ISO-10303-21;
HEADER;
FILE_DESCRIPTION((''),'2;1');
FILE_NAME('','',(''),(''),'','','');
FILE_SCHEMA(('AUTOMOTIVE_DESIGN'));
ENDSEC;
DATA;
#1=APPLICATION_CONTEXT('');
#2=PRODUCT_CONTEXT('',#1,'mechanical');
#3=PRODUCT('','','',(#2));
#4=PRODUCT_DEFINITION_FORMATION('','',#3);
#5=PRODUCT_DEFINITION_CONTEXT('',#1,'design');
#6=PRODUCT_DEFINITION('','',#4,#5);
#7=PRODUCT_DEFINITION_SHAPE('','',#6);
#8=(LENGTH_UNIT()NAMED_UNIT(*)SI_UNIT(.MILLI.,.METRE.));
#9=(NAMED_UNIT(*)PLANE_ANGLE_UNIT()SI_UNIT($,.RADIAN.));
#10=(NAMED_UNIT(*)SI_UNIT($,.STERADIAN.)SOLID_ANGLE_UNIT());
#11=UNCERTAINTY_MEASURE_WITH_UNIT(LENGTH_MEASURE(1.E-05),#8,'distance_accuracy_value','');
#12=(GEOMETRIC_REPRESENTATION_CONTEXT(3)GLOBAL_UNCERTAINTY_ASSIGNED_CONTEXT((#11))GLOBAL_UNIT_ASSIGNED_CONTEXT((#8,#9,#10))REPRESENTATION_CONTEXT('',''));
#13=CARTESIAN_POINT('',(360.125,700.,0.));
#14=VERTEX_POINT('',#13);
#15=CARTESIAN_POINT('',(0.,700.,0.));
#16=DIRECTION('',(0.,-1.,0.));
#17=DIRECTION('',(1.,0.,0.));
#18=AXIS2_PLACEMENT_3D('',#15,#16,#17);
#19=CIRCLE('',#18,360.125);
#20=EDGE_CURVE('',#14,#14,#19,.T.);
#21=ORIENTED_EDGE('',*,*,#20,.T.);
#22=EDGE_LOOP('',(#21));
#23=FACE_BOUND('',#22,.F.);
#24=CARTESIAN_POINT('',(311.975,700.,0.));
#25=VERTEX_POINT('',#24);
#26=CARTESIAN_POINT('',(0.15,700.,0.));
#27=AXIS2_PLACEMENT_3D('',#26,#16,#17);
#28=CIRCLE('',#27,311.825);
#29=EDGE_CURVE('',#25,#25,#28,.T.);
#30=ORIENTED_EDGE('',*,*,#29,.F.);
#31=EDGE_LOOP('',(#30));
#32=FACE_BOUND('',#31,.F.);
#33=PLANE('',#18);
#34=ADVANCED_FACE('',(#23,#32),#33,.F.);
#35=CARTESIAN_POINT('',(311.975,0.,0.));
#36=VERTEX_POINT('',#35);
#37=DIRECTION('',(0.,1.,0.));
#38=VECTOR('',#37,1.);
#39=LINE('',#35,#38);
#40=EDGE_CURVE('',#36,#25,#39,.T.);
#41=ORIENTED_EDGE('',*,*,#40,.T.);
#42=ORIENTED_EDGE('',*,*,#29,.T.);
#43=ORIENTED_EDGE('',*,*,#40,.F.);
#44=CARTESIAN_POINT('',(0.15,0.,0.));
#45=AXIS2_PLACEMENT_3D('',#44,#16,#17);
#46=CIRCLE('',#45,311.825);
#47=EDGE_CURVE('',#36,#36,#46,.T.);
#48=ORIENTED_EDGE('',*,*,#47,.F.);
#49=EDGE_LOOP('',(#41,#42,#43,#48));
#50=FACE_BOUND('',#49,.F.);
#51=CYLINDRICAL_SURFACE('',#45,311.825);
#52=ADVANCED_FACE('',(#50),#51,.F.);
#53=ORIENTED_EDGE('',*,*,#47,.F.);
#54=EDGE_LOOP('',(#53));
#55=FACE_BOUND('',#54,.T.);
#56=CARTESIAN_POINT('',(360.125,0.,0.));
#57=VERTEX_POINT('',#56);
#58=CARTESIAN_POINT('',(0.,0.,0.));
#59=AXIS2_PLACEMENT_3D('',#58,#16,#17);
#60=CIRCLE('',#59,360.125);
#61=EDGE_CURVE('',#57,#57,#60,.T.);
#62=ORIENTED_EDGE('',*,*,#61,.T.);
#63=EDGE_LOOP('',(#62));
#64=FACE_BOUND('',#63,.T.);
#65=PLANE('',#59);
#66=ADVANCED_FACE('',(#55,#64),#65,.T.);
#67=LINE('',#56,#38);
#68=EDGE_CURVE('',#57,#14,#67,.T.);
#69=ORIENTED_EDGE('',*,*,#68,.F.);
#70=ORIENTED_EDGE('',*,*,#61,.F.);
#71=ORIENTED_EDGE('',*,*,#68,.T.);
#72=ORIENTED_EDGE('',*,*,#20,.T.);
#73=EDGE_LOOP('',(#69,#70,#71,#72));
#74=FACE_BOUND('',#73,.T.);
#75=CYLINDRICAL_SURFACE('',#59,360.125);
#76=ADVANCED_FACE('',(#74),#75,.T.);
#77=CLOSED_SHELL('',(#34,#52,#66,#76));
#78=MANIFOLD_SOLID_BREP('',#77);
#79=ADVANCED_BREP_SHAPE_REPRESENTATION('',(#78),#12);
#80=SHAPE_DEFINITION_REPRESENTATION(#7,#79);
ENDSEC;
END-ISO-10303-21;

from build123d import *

# Parameters (mm, degrees)
F3_R     = 360.125
F4_DEPTH = 700
F5_R     = 311.825
F6_DEPTH = 700


with BuildPart() as f4:
    # F3 (on Front) → F4 (new body)
    with BuildSketch(Plane.XZ):
        Circle(F3_R)
    extrude(amount=-F4_DEPTH)

    # F5 (on Front) → F6 (cut)
    with BuildSketch(Plane.XZ):
        with Locations((0.15, 0)):
            Circle(F5_R)
    extrude(amount=-F6_DEPTH, mode=Mode.SUBTRACT)


solid = f4.part
